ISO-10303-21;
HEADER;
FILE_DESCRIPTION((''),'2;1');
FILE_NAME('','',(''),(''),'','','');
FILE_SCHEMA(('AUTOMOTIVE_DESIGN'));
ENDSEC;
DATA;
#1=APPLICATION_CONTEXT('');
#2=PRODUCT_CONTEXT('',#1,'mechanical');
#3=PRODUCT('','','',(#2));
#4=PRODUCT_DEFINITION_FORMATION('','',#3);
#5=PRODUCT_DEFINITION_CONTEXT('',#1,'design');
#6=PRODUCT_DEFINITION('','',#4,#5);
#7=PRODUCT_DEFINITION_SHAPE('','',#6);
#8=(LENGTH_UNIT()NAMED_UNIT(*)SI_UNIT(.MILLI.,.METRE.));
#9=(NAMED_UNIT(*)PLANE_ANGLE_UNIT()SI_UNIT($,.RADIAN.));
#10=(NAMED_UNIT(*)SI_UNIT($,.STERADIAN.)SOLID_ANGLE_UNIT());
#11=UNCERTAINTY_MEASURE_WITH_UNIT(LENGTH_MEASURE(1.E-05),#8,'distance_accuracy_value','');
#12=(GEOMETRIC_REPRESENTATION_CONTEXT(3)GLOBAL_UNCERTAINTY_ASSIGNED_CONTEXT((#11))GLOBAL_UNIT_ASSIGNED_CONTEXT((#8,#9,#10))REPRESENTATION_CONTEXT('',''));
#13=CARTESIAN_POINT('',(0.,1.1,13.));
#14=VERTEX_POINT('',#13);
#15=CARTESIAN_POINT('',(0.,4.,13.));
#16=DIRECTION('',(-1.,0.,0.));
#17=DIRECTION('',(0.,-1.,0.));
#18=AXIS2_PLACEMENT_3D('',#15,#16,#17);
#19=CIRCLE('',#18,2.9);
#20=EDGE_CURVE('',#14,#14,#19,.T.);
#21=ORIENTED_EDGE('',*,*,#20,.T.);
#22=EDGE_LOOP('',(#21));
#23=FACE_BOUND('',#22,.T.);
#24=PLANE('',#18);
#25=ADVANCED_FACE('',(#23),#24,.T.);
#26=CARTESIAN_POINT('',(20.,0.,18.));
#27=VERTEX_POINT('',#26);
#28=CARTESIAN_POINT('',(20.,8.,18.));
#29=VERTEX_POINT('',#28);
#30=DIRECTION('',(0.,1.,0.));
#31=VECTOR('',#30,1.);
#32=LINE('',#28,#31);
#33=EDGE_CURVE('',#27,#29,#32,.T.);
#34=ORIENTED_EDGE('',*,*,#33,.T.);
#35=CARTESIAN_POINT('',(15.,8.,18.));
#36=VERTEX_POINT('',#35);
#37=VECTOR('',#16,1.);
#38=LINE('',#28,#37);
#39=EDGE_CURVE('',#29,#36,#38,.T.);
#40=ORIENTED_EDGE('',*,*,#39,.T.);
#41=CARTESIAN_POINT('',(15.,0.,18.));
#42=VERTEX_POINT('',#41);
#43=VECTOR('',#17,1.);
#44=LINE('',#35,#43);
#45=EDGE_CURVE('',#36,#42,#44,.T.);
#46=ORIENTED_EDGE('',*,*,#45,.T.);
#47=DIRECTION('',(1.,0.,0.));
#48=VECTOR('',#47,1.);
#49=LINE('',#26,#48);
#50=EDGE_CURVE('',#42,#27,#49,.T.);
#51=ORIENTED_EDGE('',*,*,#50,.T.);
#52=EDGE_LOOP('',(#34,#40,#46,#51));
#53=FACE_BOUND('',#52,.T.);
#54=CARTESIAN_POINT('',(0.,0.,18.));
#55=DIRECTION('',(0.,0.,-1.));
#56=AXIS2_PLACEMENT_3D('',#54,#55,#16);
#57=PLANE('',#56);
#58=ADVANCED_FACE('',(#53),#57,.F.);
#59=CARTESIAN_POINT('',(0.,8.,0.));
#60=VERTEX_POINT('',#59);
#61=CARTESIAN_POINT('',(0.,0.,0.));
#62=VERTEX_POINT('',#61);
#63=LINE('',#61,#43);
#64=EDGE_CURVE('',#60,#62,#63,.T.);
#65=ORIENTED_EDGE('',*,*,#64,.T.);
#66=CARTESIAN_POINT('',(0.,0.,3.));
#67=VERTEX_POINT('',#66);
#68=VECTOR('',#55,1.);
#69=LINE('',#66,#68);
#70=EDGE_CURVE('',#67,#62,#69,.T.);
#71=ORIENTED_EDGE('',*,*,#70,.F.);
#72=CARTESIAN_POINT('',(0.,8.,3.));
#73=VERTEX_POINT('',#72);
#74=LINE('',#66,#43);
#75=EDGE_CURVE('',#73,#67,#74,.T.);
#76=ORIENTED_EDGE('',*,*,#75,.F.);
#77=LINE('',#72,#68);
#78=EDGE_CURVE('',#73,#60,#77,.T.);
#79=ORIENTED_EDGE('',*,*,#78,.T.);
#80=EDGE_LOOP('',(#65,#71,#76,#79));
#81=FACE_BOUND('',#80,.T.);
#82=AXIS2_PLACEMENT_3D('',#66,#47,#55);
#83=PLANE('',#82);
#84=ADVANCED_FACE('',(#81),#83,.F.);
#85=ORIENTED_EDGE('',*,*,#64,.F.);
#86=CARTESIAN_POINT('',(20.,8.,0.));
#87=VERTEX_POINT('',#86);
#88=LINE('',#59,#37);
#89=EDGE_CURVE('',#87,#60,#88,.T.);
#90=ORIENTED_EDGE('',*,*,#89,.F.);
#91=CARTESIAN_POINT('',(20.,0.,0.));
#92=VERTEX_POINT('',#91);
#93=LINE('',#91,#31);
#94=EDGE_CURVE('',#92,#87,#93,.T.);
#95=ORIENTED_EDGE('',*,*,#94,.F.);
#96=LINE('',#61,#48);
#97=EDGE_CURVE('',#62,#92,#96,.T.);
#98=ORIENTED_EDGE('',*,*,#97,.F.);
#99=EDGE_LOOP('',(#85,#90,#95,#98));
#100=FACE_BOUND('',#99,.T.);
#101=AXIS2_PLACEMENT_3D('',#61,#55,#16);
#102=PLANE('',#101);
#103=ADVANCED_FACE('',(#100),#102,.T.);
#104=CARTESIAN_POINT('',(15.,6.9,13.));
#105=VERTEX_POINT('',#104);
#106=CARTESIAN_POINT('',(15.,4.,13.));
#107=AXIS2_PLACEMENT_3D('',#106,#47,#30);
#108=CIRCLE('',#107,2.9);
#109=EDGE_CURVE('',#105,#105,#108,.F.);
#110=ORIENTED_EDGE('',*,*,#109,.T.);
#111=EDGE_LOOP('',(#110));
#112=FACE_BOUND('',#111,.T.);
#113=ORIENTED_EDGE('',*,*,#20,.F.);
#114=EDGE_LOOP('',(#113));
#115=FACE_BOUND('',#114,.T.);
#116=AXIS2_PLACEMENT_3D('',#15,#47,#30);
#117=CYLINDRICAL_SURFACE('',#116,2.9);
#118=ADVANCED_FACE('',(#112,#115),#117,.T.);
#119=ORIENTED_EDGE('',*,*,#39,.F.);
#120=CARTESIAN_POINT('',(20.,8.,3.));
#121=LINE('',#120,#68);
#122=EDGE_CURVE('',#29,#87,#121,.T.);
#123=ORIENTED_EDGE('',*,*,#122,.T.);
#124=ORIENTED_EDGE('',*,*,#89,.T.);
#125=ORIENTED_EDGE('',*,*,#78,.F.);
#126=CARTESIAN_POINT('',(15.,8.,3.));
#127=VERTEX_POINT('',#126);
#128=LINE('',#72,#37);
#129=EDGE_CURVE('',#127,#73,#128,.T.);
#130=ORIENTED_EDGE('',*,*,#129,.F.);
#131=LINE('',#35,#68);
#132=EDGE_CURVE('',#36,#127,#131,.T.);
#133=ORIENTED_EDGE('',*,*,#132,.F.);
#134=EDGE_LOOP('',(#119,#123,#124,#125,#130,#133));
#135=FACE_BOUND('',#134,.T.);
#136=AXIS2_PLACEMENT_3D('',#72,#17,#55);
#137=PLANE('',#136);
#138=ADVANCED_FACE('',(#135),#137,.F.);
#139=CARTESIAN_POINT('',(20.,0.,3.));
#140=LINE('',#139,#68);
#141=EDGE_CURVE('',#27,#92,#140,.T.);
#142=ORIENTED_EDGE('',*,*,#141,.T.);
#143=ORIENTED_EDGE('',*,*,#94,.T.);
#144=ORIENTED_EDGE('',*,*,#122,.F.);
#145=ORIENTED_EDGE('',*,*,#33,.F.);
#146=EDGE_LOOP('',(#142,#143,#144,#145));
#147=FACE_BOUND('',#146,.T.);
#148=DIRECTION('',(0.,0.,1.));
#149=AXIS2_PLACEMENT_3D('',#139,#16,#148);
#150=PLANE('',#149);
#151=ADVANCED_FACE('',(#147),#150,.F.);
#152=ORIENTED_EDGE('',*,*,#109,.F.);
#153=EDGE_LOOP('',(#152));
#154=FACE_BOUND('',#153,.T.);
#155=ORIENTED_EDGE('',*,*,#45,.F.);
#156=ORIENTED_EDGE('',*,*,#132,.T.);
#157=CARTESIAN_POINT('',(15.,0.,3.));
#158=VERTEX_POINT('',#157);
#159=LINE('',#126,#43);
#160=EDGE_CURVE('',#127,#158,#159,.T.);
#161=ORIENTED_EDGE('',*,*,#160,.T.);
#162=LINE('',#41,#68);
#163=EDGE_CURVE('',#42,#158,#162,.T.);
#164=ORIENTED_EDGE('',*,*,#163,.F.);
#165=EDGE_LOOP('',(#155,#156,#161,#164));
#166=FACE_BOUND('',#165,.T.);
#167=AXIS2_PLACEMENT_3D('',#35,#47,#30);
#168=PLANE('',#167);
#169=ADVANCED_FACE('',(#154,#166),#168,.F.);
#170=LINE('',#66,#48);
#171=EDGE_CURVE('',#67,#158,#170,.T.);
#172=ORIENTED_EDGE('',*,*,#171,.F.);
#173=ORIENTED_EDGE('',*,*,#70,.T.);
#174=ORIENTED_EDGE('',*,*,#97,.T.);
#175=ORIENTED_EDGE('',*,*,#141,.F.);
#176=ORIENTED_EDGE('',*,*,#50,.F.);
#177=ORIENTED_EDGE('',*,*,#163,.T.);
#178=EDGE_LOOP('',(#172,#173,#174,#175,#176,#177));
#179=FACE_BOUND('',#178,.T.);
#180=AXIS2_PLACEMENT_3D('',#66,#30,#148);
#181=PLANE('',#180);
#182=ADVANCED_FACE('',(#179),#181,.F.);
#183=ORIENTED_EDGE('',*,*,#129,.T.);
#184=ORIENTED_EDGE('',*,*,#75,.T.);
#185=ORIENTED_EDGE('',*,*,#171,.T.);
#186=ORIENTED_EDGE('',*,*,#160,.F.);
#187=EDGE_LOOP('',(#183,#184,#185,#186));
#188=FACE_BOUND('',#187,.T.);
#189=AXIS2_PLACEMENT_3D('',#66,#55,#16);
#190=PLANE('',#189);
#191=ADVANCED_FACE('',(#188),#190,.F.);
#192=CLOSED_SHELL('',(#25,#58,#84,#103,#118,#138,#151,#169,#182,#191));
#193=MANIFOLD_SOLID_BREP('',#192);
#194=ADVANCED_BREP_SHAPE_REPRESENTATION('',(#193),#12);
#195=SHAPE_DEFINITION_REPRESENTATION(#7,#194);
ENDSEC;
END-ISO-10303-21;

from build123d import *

# Parameters (mm, degrees)
ESQUISSE1_W        = 20
ESQUISSE1_H        = 8
BOSS_EXTRU_1_DEPTH = 3
ESQUISSE2_W        = 5
ESQUISSE2_H        = 8
BOSS_EXTRU_2_DEPTH = 15
ESQUISSE3_R        = 2.9
BOSS_EXTRU_3_DEPTH = 15


with BuildPart() as part:
    # Esquisse1 → Boss.-Extru.1 (new body)
    with BuildSketch(Plane.XY):
        with Locations((10, 4)):
            Rectangle(ESQUISSE1_W, ESQUISSE1_H)
    extrude(amount=BOSS_EXTRU_1_DEPTH)

    # Esquisse2 → Boss.-Extru.2 (add)
    with BuildSketch(Plane.XY.offset(3)):
        with Locations((17.5, 4)):
            Rectangle(ESQUISSE2_W, ESQUISSE2_H)
    extrude(amount=BOSS_EXTRU_2_DEPTH)

    # Esquisse3 → Boss.-Extru.3 (add)
    with BuildSketch(Plane.ZY.offset(-15)):
        with Locations(Location((13, 4, 0), (0, 0, 90))):
            Circle(ESQUISSE3_R)
    extrude(amount=BOSS_EXTRU_3_DEPTH)


solid = part.part
